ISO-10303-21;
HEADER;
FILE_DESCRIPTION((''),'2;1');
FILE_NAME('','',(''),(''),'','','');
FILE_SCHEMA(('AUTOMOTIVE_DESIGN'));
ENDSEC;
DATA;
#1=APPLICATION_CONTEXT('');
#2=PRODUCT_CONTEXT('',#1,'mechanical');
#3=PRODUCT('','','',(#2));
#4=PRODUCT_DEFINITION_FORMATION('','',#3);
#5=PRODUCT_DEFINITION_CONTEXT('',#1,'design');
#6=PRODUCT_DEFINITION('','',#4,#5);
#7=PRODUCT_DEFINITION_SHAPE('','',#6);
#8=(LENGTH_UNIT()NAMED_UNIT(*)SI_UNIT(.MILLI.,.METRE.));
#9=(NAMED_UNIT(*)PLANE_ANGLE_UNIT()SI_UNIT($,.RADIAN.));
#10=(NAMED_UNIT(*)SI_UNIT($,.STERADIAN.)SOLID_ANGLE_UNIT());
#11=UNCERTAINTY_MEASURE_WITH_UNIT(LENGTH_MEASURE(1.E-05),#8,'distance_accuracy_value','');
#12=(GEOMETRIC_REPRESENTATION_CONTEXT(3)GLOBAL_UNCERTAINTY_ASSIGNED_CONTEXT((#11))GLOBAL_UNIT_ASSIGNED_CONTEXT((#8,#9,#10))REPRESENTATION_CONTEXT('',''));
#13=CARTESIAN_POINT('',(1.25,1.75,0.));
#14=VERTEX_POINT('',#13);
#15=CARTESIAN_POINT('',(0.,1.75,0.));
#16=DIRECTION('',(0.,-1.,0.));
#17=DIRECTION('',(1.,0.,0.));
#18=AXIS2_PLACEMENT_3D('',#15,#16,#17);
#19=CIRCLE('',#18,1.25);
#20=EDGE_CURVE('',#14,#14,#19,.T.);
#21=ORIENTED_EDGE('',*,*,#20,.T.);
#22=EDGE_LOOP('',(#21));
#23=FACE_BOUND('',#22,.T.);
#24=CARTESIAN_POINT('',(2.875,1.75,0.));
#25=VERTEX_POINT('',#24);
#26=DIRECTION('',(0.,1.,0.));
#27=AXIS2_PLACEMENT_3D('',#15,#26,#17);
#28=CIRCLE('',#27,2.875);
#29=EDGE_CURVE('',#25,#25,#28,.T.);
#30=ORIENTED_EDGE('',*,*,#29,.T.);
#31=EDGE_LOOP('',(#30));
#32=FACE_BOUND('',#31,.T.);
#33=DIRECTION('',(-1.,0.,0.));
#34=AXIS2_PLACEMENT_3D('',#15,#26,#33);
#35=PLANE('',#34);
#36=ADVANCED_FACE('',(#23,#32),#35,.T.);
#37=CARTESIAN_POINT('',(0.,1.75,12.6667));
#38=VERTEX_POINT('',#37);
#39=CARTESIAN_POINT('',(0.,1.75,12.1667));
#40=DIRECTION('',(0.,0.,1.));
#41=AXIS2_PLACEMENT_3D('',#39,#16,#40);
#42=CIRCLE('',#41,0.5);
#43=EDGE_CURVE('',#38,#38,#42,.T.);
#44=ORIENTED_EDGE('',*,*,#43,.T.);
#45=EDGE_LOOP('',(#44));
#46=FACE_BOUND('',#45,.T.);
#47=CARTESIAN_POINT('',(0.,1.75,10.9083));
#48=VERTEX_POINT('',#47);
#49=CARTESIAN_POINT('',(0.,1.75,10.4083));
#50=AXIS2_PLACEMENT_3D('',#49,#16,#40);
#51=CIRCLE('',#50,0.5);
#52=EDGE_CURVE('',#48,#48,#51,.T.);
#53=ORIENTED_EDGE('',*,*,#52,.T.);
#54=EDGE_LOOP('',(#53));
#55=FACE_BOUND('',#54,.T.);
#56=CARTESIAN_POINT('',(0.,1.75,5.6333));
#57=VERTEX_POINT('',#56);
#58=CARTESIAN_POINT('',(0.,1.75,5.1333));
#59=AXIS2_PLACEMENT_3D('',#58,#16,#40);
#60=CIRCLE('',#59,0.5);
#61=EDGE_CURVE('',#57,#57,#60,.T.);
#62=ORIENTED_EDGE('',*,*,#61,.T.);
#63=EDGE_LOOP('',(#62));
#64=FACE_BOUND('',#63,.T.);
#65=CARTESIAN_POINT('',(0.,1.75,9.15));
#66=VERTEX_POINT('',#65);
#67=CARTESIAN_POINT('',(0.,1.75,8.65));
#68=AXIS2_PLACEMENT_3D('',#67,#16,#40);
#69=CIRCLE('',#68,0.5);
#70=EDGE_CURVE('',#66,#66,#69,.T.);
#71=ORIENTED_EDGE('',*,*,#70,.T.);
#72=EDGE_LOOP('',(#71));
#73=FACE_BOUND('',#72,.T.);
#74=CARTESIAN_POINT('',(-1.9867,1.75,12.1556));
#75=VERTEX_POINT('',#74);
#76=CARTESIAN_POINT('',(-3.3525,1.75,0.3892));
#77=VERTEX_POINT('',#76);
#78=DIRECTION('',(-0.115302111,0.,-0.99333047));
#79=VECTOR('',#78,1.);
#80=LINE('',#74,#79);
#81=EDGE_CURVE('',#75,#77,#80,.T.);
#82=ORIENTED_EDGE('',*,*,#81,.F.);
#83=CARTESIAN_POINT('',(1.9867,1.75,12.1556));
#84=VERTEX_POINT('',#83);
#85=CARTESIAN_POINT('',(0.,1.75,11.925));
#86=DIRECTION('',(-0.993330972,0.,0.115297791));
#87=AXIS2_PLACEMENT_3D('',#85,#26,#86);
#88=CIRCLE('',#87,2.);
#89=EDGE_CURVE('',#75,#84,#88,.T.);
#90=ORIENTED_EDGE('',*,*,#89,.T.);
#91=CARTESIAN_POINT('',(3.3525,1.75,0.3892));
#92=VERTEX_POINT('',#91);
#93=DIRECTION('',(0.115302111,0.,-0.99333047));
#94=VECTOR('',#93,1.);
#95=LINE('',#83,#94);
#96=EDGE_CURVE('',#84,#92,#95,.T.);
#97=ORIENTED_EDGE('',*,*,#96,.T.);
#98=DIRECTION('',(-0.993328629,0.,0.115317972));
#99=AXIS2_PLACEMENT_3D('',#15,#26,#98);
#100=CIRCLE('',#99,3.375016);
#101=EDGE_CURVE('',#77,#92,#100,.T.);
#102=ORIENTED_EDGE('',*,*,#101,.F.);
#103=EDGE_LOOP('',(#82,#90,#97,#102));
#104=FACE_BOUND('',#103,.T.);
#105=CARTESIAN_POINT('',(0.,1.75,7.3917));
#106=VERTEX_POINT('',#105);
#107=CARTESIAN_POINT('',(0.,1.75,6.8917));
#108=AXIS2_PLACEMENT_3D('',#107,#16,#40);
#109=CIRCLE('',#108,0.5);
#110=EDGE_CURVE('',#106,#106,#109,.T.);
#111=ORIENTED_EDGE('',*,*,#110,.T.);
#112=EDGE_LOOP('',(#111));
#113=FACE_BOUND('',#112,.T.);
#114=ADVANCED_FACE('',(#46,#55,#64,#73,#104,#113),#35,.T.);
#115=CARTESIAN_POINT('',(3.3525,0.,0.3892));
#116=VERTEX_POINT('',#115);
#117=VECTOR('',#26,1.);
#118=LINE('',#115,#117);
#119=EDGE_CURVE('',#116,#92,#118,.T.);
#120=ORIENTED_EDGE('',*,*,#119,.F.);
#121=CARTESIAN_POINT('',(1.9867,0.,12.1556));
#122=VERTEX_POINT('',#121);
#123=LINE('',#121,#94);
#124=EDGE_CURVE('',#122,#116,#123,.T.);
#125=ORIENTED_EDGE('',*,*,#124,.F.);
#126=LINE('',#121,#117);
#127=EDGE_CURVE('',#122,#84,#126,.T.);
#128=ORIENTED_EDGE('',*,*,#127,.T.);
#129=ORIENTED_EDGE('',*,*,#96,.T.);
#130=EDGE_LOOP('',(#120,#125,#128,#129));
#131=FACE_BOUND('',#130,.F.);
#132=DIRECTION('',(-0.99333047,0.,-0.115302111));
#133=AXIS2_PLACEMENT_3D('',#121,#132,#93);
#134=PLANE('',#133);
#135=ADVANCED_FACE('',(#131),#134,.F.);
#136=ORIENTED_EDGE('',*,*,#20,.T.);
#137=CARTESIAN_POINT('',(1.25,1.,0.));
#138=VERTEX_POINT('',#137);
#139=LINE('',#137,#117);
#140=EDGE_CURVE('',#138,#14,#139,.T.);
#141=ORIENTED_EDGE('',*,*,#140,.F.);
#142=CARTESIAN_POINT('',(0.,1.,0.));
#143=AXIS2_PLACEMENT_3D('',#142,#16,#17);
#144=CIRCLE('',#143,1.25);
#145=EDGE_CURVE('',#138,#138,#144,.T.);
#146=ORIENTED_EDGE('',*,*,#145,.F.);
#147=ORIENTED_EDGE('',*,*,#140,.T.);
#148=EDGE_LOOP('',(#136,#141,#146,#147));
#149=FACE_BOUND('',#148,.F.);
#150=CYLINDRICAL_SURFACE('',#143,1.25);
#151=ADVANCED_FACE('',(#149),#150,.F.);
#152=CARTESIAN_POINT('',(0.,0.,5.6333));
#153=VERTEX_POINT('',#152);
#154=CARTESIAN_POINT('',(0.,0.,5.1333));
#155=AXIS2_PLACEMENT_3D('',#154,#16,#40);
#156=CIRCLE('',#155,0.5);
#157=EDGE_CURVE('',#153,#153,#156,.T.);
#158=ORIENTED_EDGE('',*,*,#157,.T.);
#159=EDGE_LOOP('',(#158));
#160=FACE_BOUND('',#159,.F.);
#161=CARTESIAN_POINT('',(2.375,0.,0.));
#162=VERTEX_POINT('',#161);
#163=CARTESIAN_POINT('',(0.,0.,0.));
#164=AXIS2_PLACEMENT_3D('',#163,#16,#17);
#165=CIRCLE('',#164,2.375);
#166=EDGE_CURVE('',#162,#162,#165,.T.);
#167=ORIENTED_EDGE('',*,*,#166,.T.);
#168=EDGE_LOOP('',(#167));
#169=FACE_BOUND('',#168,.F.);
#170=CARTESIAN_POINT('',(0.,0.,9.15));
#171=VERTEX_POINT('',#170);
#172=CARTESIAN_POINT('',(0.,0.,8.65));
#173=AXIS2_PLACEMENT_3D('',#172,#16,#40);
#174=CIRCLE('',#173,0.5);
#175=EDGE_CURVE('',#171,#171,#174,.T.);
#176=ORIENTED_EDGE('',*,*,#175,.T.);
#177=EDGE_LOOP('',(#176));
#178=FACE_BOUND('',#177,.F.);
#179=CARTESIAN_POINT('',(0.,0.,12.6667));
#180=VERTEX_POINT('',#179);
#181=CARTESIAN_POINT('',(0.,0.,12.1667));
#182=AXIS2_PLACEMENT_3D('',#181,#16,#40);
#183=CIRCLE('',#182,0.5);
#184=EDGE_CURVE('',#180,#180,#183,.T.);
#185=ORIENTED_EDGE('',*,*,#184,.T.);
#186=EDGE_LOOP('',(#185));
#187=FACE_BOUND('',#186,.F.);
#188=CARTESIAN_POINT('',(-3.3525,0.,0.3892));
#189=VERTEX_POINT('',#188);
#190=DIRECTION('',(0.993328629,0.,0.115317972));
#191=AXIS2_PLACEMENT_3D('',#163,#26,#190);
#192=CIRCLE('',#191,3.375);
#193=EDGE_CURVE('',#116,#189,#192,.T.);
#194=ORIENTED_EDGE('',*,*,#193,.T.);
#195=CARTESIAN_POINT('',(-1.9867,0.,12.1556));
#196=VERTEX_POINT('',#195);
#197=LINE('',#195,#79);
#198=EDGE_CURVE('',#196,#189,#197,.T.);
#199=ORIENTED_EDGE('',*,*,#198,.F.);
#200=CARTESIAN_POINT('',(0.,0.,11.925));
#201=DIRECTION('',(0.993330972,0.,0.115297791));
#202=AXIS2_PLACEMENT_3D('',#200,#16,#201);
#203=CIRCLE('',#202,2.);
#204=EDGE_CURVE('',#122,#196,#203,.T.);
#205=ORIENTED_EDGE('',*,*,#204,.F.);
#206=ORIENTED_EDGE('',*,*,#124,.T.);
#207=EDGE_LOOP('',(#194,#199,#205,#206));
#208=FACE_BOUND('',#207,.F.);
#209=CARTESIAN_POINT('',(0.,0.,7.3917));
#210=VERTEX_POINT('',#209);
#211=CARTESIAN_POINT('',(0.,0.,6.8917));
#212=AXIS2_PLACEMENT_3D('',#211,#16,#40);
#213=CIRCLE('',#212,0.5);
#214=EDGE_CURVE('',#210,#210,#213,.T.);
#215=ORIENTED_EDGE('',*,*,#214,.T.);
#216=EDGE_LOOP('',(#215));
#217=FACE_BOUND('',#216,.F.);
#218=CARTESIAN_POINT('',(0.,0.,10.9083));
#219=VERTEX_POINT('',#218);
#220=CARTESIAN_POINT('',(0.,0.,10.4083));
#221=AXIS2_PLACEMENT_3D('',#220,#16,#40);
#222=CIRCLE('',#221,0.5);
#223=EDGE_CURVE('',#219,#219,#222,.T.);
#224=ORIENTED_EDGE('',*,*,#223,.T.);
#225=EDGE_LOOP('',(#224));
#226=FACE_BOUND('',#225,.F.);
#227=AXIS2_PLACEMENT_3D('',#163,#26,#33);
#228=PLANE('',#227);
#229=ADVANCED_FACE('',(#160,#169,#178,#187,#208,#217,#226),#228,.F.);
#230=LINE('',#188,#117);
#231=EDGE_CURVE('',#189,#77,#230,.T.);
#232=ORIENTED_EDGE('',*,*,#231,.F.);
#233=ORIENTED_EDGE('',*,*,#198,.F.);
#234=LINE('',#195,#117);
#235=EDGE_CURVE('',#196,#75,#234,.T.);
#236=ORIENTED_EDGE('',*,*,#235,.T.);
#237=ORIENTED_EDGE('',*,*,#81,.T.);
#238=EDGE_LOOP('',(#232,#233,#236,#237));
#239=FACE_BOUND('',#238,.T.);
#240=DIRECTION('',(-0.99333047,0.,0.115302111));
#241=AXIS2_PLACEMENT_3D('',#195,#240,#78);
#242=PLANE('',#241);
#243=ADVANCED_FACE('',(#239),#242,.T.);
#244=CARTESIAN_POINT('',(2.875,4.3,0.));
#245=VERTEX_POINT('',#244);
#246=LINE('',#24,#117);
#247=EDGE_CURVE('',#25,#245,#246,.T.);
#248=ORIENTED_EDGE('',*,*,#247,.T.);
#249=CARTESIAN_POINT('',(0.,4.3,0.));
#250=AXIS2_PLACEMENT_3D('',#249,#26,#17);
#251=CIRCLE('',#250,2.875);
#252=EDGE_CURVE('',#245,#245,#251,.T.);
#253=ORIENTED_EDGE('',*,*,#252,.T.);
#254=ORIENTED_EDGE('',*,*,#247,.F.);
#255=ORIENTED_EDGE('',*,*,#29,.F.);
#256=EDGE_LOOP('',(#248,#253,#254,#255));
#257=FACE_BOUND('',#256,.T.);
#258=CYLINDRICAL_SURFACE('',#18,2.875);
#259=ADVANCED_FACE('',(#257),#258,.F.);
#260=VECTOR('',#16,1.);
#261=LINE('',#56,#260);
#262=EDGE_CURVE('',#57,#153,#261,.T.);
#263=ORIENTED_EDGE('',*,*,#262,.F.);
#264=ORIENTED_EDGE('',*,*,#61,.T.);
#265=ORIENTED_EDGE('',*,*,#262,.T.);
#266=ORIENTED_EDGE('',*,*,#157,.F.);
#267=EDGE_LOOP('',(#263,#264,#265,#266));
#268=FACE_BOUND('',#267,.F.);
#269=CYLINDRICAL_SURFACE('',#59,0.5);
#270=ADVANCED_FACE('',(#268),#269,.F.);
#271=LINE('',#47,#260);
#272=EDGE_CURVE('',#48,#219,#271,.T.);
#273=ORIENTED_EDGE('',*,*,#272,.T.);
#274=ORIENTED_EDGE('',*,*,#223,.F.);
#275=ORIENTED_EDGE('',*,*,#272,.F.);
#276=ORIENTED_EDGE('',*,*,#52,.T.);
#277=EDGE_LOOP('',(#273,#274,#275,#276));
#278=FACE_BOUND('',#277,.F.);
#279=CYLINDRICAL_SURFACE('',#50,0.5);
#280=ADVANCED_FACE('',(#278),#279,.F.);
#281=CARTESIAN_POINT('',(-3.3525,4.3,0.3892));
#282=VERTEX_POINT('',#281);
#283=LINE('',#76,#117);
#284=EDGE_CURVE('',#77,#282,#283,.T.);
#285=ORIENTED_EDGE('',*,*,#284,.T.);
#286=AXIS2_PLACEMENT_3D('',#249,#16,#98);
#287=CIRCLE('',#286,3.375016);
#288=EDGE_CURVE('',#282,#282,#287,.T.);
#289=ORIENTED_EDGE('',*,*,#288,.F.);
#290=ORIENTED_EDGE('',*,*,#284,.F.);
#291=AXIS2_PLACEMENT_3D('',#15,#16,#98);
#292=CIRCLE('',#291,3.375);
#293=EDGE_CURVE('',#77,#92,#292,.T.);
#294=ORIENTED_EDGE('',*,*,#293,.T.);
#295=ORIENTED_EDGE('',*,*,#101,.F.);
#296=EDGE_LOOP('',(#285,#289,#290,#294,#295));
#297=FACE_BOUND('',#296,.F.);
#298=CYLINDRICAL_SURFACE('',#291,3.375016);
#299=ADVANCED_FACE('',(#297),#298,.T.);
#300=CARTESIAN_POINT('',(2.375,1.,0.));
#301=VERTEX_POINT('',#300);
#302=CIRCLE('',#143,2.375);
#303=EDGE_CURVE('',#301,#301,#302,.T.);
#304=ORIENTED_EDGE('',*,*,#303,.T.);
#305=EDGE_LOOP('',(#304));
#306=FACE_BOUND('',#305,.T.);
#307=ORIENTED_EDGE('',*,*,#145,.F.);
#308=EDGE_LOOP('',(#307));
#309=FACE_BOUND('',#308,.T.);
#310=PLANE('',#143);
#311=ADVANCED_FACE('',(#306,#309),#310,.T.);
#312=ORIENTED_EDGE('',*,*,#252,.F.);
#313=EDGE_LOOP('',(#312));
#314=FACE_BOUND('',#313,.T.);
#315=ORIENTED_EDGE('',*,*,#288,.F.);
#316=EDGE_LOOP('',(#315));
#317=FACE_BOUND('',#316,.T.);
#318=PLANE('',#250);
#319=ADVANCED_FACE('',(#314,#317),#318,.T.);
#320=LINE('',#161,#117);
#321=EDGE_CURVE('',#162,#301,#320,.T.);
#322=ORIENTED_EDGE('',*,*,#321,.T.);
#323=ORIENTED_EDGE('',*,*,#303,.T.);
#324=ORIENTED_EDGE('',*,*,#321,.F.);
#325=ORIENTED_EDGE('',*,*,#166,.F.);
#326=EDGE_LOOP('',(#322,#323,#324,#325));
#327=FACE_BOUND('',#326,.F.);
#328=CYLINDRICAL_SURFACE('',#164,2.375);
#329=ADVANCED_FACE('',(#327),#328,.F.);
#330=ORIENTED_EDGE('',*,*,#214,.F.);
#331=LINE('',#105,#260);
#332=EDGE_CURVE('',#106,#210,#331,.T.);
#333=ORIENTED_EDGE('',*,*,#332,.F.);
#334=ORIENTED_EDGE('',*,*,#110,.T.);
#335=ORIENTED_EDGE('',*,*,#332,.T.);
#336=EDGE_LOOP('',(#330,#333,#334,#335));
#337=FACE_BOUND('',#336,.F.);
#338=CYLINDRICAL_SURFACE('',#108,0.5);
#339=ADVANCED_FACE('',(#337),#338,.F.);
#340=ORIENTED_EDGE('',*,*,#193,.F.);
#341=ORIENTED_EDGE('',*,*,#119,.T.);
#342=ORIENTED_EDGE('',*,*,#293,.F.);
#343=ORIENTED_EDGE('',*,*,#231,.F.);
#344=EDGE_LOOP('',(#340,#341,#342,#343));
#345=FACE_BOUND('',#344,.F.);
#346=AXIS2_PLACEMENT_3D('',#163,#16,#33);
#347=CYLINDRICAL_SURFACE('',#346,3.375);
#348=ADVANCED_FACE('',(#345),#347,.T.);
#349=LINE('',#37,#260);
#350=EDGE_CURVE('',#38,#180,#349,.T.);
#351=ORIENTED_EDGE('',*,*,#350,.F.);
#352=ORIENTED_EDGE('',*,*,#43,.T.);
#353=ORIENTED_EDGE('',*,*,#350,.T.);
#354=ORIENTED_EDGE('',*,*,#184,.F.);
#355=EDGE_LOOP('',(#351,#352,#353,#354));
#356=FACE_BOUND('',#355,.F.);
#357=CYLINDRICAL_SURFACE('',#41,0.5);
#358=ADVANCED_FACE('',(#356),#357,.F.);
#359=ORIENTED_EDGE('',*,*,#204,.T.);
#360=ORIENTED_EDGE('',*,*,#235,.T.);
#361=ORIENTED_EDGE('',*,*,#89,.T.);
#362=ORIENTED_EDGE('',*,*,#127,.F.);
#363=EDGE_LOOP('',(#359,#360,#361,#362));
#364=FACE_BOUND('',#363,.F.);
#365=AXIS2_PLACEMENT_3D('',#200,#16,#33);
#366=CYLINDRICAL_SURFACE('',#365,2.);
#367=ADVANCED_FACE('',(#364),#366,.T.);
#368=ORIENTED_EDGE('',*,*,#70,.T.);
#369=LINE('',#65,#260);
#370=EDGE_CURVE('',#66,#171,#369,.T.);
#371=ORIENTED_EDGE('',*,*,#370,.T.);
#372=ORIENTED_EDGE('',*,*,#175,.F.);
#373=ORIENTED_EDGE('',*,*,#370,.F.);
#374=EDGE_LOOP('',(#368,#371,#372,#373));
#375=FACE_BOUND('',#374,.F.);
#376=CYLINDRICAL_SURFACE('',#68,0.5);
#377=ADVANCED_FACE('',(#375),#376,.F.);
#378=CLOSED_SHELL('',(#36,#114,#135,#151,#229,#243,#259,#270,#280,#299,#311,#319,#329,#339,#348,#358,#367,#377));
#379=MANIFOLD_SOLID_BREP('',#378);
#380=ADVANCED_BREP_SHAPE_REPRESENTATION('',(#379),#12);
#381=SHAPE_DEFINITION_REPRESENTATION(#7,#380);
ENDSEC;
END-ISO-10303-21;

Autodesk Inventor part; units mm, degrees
ref_plane "YZ Plane" through (0, 0, 0) normal (1, 0, 0) x (0, 1, 0)
ref_plane "XZ Plane" through (0, 0, 0) normal (0, 1, 0) x (-1, 0, 0)
ref_plane "XY Plane" through (0, 0, 0) normal (0, 0, 1) x (1, 0, 0)
sketch "Sketch1" plane through (0, 0, 0) normal (0, 1, 0) x (-1, 0, 0)
  circle A0 centre (0, 0) radius 3.375
  line L0 (0, -3.375) -> (0, 13.925)
  circle A1 centre (0, 11.925) radius 2
  line L1 (1.9867, 12.1556) -> (3.3525, 0.3892)
  line L2 (-1.9867, 12.1556) -> (-3.3525, 0.3892)
  dimension "d0" = 6.75
  dimension "d1" = 17.3
  dimension "d2" = 4
extrude "Extrusion1" add sketch "Sketch1" along normal blind 1.75
sketch "Sketch2" plane through (0, 1.75, 0) normal (0, 1, 0) x (1, 0, 0)
  arc A0 (3.3525, -0.3892) -> (-3.3525, -0.3892) centre (0, 0) ccw projected
  line L0 (-3.3525, -0.3892) -> (-1.9867, -12.1556) projected
  arc A1 (-3.3525, -0.3892) -> (3.3525, -0.3892) centre (0, 0) ccw
  circle A2 centre (0, 0) radius 2.875
  dimension "d5" = 5.75
extrude "Extrusion2" add sketch "Sketch2" along normal blind 2.55
sketch "Sketch3" plane through (0, 0, 0) normal (0, -1, 0) x (1, 0, 0)
  arc A0 (-3.3525, 0.3892) -> (3.3525, 0.3892) centre (0, 0) ccw projected
  circle A1 centre (0, 0) radius 2.375
  dimension "d8" = 4.75
extrude "Extrusion3" cut sketch "Sketch3" against normal blind 1
sketch "Sketch4" plane through (0, 1, 0) normal (0, -1, 0) x (1, 0, 0)
  circle A0 centre (0, 0) radius 1.25
  dimension "d11" = 2.5
extrude "Extrusion4" cut sketch "Sketch4" against normal up to next
sketch "Sketch5" plane through (0, 1.75, 0) normal (0, 1, 0) x (1, 0, 0)
  arc A0 (-1.9867, -12.1556) -> (1.9867, -12.1556) centre (0, -11.925) ccw projected
  arc A1 (-3.3525, -0.3892) -> (3.3525, -0.3892) centre (0, 0) ccw projected
  line L0 (0, -3.375) -> (0, -5.1333)
  line L1 (0, -5.1333) -> (0, -6.8917)
  line L2 (0, -6.8917) -> (0, -8.65)
  line L3 (0, -8.65) -> (0, -10.4083)
  line L4 (0, -10.4083) -> (0, -12.1667)
  line L5 (0, -12.1667) -> (0, -13.925)
hole "Hole1" at (0, 1.75, 5.1333) at (0, 1.75, 6.8917) at (0, 1.75, 8.65) at (0, 1.75, 10.4083) at (0, 1.75, 12.1667) direction (0, -1, 0) diameter 1 end through all
properties part number "Small Continuous Servo Horn"
